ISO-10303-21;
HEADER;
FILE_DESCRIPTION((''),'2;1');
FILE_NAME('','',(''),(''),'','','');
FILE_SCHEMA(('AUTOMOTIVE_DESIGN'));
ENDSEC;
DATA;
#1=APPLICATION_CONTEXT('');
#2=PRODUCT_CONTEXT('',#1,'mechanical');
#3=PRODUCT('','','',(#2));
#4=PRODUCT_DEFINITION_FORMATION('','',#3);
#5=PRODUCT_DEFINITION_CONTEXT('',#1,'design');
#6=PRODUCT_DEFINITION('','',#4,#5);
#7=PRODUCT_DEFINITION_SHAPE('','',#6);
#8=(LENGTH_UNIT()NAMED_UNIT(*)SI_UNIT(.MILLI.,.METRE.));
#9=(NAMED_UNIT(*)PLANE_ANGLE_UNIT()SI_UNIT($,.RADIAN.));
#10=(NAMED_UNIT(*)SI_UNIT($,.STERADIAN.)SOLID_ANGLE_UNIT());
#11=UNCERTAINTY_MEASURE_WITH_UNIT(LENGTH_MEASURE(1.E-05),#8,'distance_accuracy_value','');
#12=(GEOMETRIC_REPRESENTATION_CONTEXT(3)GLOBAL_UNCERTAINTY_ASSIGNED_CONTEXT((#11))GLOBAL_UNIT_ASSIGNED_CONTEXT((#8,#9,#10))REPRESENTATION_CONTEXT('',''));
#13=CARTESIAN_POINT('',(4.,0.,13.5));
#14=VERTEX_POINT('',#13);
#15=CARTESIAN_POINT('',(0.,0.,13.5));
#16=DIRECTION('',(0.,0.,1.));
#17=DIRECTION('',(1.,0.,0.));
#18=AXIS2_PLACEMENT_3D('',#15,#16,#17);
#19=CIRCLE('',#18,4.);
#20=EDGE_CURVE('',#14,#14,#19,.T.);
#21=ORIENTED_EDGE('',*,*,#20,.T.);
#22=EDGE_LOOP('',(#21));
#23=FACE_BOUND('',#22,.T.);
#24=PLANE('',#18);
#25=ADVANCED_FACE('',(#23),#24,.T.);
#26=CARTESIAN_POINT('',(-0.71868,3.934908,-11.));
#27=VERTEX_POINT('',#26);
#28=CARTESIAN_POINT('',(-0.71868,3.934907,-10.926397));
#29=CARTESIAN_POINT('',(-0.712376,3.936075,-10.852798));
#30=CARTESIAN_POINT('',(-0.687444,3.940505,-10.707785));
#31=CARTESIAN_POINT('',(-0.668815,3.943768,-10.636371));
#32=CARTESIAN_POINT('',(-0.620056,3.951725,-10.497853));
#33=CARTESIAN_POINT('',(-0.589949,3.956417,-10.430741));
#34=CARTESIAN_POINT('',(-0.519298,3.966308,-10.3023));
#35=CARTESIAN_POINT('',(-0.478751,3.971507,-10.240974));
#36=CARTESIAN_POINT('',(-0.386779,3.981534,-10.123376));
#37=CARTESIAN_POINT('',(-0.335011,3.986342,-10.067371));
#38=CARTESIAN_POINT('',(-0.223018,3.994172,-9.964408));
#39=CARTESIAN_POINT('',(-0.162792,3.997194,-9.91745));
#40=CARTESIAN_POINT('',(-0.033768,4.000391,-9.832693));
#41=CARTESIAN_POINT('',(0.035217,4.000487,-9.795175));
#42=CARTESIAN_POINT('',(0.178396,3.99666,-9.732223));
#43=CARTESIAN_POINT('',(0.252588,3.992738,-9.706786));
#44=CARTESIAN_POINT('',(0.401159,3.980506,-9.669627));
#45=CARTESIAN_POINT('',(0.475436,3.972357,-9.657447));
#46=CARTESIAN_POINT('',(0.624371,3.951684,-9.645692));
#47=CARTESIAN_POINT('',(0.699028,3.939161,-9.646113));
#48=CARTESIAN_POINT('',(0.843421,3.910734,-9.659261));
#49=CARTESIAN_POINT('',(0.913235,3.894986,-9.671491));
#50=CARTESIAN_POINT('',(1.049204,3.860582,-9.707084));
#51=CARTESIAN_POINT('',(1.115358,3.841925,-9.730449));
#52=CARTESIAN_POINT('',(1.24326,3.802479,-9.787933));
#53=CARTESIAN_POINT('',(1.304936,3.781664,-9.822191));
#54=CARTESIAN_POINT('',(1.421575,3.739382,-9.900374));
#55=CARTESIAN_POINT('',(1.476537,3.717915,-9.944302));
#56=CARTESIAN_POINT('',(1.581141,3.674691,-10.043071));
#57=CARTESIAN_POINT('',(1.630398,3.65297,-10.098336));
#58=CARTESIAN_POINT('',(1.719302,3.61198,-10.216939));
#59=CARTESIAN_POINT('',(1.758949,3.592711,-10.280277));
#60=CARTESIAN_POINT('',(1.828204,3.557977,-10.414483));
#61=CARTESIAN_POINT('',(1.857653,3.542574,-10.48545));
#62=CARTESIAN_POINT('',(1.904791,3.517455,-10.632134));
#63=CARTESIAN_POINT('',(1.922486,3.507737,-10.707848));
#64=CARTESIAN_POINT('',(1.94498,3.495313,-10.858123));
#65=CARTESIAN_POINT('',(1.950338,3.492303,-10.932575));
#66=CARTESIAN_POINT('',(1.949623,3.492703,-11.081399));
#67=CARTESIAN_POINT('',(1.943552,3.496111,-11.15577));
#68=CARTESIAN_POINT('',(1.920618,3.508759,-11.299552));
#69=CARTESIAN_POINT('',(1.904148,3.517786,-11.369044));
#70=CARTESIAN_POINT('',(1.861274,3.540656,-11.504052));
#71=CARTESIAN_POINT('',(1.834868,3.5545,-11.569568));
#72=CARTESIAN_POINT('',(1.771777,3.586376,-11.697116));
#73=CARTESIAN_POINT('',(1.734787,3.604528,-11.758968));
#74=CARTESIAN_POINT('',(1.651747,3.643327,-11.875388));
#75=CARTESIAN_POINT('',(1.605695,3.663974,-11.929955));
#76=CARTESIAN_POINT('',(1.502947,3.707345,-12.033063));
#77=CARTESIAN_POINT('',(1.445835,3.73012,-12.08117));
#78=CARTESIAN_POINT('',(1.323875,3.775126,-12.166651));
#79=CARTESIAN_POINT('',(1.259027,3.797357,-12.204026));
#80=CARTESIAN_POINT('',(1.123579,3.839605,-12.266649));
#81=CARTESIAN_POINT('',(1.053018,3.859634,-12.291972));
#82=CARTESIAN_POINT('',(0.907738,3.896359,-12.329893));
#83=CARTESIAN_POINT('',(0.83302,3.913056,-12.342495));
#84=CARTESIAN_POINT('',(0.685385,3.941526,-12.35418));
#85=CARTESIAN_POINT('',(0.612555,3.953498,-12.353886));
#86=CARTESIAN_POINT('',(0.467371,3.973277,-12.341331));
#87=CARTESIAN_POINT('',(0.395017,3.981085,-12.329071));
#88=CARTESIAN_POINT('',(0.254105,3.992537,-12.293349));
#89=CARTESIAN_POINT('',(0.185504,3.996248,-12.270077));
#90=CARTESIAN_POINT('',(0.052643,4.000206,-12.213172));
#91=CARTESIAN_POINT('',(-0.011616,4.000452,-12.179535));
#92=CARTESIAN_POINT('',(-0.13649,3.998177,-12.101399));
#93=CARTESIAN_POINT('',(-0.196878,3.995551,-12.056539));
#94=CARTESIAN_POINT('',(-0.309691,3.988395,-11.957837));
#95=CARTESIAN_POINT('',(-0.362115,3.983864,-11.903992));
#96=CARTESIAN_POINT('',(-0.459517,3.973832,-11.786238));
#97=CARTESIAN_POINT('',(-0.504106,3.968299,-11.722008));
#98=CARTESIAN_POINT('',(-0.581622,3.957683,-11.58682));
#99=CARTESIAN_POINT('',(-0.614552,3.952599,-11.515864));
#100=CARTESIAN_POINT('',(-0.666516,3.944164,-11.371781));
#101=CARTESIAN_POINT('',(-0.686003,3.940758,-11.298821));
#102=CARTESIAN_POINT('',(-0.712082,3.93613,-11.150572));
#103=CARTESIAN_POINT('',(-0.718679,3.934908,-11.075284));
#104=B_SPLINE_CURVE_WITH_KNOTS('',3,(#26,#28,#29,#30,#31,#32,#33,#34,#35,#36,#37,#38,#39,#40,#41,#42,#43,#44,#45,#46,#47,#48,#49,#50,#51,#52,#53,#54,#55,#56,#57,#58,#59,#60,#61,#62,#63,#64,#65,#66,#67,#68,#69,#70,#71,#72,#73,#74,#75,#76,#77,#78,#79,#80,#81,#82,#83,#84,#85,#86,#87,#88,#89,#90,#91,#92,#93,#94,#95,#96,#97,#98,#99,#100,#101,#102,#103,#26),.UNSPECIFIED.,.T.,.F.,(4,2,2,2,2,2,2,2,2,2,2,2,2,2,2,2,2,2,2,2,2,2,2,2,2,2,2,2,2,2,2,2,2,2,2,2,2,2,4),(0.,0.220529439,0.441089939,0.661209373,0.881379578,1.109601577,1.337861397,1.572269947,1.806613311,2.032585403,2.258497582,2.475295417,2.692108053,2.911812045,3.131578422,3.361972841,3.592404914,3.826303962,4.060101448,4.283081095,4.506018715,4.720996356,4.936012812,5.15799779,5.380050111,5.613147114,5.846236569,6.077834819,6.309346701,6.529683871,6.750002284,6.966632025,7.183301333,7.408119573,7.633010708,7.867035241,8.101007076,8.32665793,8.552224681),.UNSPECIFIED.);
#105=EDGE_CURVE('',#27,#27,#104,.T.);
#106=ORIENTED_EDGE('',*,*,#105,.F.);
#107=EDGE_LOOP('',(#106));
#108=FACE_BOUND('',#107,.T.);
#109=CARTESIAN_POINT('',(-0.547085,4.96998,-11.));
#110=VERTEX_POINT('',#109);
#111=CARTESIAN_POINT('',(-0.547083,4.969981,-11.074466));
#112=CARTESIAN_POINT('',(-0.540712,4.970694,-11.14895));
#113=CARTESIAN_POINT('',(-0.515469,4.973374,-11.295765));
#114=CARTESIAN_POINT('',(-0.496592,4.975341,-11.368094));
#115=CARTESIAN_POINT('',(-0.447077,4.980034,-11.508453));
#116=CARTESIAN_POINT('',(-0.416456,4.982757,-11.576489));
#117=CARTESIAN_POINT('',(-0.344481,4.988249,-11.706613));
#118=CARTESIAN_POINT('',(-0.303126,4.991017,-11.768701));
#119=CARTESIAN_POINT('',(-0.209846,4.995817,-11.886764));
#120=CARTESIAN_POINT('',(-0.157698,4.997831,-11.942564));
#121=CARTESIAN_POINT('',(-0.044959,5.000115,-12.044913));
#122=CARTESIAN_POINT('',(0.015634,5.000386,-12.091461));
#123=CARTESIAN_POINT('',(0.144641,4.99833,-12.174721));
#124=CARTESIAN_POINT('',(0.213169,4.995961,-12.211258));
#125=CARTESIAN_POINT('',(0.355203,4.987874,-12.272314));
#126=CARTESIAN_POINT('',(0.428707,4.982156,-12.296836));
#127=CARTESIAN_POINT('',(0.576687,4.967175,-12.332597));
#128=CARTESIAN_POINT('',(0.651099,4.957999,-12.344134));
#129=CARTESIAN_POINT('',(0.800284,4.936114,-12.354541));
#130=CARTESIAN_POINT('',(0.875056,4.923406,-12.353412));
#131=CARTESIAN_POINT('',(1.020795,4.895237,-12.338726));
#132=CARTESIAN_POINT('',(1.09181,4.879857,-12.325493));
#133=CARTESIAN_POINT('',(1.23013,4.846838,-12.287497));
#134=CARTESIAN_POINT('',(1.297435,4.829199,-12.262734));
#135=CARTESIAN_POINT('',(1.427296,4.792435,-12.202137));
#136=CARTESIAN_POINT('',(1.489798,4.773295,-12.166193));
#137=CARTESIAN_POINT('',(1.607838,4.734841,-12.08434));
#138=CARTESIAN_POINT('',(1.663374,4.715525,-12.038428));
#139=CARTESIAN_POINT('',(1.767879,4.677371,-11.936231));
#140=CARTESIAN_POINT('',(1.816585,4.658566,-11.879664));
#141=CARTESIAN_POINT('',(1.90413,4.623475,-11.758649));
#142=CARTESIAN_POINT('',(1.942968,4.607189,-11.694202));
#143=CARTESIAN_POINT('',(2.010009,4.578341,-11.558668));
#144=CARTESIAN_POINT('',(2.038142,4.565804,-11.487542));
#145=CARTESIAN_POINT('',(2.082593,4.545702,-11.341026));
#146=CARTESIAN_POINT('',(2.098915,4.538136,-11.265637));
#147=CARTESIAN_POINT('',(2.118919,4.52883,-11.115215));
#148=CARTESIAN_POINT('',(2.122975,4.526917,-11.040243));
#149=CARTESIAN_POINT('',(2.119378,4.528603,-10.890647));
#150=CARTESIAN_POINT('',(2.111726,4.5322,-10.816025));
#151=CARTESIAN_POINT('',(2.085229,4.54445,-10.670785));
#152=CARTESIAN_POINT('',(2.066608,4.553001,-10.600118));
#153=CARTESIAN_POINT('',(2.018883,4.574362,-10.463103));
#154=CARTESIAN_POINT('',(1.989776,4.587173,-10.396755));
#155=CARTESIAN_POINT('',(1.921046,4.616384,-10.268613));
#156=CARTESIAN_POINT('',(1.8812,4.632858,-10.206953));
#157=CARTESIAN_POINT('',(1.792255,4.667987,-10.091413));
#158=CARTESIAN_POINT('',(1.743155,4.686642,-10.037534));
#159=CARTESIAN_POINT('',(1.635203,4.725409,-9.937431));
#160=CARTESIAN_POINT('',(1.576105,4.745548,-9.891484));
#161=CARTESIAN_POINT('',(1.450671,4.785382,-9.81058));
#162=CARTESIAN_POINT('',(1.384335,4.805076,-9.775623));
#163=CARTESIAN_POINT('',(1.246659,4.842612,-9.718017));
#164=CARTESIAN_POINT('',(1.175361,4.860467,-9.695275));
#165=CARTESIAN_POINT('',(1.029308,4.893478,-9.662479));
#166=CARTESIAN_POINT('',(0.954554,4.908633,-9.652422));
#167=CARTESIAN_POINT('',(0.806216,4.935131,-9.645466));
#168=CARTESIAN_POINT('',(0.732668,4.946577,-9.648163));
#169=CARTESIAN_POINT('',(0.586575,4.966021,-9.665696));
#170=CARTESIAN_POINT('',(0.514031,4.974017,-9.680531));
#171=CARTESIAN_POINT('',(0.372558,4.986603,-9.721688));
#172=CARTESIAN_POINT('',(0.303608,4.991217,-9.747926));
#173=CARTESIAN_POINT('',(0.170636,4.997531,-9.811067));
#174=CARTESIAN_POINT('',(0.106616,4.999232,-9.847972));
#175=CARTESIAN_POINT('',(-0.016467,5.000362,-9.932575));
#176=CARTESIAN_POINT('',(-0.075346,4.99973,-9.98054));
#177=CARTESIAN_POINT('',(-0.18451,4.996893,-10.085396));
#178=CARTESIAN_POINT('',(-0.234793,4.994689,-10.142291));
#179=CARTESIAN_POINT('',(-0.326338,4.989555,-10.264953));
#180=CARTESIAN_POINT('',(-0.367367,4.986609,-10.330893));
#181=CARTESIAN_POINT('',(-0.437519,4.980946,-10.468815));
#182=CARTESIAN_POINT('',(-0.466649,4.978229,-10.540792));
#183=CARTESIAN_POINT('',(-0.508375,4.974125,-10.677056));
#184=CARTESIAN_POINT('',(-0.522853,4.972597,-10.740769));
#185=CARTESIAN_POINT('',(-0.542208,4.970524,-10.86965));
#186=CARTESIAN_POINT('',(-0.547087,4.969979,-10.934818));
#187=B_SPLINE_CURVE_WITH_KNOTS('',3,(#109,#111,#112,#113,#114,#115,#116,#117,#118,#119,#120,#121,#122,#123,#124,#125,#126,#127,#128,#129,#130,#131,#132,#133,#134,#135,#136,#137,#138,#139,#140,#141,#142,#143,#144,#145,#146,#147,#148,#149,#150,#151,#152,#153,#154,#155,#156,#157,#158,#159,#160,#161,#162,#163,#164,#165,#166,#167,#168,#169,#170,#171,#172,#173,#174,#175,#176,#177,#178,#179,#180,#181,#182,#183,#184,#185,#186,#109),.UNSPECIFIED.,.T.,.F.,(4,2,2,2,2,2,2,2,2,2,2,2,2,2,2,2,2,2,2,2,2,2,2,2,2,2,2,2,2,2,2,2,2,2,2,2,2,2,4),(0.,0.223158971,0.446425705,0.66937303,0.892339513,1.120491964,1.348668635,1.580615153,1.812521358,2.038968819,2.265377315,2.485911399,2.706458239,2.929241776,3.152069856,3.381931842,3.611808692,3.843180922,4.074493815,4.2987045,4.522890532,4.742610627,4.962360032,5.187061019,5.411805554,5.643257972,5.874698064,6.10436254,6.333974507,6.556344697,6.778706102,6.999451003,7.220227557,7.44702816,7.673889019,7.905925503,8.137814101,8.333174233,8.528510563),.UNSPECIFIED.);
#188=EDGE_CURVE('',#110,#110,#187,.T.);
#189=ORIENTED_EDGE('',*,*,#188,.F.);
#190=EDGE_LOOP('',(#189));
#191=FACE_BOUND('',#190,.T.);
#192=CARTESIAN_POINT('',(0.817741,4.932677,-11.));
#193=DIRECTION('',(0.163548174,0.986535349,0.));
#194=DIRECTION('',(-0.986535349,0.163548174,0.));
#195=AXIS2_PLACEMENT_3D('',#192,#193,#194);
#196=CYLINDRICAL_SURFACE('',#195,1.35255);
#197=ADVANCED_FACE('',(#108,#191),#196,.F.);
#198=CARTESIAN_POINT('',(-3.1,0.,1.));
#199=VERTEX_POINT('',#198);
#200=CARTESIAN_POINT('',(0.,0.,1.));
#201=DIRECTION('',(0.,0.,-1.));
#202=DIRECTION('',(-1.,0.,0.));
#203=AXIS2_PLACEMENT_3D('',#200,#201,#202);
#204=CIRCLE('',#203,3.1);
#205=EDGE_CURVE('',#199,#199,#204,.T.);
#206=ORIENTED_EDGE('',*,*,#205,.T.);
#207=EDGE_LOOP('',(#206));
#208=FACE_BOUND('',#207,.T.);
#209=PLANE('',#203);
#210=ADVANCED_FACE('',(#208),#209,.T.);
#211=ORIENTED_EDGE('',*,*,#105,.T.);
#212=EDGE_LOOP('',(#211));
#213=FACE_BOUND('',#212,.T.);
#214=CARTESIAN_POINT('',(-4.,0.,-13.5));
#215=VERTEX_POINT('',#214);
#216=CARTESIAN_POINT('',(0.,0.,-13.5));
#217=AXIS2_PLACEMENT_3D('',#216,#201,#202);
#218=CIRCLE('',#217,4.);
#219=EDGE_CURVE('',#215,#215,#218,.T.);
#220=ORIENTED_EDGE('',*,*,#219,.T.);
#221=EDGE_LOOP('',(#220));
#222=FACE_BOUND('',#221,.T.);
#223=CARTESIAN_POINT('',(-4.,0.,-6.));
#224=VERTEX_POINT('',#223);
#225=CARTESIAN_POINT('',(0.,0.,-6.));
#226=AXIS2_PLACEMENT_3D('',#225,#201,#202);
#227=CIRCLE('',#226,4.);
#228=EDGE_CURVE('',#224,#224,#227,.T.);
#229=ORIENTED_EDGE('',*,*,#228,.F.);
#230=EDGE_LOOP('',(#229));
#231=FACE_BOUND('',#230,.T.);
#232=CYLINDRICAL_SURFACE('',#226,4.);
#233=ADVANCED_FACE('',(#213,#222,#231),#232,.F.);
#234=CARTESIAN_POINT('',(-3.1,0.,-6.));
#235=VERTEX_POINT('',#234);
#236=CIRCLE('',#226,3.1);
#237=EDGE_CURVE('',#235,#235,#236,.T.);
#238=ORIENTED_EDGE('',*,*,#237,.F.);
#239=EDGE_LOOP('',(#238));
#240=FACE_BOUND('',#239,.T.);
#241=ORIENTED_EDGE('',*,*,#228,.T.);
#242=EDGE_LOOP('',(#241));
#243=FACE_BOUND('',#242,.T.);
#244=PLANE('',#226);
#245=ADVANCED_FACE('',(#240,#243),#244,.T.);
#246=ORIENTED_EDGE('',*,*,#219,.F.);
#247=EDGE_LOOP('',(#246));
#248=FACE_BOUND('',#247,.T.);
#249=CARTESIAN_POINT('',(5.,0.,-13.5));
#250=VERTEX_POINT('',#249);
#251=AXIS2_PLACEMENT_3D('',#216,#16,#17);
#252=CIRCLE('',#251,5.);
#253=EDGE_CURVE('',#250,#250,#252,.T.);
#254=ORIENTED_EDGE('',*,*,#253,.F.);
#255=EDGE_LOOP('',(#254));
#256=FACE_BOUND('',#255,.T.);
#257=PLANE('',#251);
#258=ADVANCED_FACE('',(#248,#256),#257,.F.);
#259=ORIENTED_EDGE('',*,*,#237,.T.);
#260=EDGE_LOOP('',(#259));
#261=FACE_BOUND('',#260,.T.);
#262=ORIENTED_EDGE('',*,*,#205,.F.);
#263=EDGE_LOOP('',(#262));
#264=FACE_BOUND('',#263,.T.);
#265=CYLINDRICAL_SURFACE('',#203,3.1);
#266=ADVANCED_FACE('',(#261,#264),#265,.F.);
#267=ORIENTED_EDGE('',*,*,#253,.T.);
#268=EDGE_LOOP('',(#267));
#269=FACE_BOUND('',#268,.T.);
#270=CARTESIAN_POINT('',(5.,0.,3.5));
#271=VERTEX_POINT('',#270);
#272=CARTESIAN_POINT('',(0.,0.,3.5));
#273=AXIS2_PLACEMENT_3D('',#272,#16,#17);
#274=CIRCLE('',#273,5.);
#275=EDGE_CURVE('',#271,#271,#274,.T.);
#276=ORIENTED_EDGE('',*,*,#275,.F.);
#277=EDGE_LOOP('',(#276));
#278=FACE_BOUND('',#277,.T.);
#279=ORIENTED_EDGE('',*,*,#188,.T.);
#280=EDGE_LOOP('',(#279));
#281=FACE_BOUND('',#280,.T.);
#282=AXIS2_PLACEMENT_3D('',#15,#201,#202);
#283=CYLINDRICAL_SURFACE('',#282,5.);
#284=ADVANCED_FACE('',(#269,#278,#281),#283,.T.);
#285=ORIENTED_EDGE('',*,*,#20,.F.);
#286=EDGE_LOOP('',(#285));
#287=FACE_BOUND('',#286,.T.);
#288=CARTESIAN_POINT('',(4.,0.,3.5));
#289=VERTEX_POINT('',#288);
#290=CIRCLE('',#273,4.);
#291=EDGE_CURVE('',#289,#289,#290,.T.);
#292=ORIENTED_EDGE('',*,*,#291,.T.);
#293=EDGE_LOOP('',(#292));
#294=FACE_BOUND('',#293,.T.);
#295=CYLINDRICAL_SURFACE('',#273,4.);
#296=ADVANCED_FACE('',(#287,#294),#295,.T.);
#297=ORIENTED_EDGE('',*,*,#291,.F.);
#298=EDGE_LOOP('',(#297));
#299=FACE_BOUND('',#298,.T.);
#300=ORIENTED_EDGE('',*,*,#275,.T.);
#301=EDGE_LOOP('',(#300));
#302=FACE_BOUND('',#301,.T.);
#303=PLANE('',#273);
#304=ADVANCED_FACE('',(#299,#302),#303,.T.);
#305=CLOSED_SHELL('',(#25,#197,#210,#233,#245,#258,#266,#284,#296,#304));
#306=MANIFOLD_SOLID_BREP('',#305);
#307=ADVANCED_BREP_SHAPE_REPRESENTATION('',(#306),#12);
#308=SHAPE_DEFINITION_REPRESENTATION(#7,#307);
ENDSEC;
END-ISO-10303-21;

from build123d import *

# Parameters (mm, degrees)
BOSS_EXTRUDE1_DEPTH        = 13.5
BOSS_EXTRUDE1_DEPTH_BACK   = 13.5
SKETCH3_R                  = 5
SKETCH4_R                  = 5
SKETCH4_R_2                = 4
CUT_EXTRUDE1_DEPTH         = 10
CUT_EXTRUDE2_START         = -7.5
SKETCH5_R                  = 4
CUT_EXTRUDE2_DEPTH         = 7.5
SKETCH6_R                  = 3.1
CUT_EXTRUDE3_DEPTH         = 7
F_6_32_TAPPED_HOLE1_REACH  = 29.069
F_6_32_TAPPED_HOLE1_BORE_R = 1.35255


with BuildPart() as part:
    # Sketch3 → Boss-Extrude1 (new, two sides: drawn at the far end of the back side and taken through both)
    with BuildSketch(Plane.XY.offset(-BOSS_EXTRUDE1_DEPTH_BACK)):
        Circle(SKETCH3_R)
    extrude(amount=BOSS_EXTRUDE1_DEPTH + BOSS_EXTRUDE1_DEPTH_BACK)

    # Sketch4 → Cut-Extrude1 (cut)
    with BuildSketch(Plane.XY.offset(13.5)):
        Circle(SKETCH4_R)
        Circle(SKETCH4_R_2, mode=Mode.SUBTRACT)
    extrude(amount=-CUT_EXTRUDE1_DEPTH, mode=Mode.SUBTRACT)

    # Sketch5 → Cut-Extrude2 (cut)
    with BuildSketch(Plane(origin=(0, 0, -13.5), x_dir=(-1, 0, 0), z_dir=(0, 0, -1)).offset(CUT_EXTRUDE2_START)):
        with Locations(Location((0, 0, 0), (0, 0, 180))):
            Circle(SKETCH5_R)
    extrude(amount=CUT_EXTRUDE2_DEPTH, mode=Mode.SUBTRACT)

    # Sketch6 → Cut-Extrude3 (cut)
    with BuildSketch(Plane(origin=(0, 0, -6), x_dir=(-1, 0, 0), z_dir=(0, 0, -1))):
        Circle(SKETCH6_R)
    extrude(amount=-CUT_EXTRUDE3_DEPTH, mode=Mode.SUBTRACT)

    # #6-32 Tapped Hole1 bore (on position points) → #6-32 Tapped Hole1 (cut, up to next)
    with BuildSketch(Plane(origin=(0.817740869, 4.932676745, -11), x_dir=(0.986535349014, -0.163548173776, 0), z_dir=(0.163548173776, 0.986535349014, 0)), mode=Mode.PRIVATE) as f_6_32_tapped_hole1_sk1:
        Circle(F_6_32_TAPPED_HOLE1_BORE_R)
    f_6_32_tapped_hole1_tool1 = extrude(f_6_32_tapped_hole1_sk1.sketch, amount=-F_6_32_TAPPED_HOLE1_REACH, mode=Mode.PRIVATE) & part.part
    add(f_6_32_tapped_hole1_tool1.solids().sort_by_distance((0.817741, 4.932677, -11))[0], mode=Mode.SUBTRACT)


solid = part.part
